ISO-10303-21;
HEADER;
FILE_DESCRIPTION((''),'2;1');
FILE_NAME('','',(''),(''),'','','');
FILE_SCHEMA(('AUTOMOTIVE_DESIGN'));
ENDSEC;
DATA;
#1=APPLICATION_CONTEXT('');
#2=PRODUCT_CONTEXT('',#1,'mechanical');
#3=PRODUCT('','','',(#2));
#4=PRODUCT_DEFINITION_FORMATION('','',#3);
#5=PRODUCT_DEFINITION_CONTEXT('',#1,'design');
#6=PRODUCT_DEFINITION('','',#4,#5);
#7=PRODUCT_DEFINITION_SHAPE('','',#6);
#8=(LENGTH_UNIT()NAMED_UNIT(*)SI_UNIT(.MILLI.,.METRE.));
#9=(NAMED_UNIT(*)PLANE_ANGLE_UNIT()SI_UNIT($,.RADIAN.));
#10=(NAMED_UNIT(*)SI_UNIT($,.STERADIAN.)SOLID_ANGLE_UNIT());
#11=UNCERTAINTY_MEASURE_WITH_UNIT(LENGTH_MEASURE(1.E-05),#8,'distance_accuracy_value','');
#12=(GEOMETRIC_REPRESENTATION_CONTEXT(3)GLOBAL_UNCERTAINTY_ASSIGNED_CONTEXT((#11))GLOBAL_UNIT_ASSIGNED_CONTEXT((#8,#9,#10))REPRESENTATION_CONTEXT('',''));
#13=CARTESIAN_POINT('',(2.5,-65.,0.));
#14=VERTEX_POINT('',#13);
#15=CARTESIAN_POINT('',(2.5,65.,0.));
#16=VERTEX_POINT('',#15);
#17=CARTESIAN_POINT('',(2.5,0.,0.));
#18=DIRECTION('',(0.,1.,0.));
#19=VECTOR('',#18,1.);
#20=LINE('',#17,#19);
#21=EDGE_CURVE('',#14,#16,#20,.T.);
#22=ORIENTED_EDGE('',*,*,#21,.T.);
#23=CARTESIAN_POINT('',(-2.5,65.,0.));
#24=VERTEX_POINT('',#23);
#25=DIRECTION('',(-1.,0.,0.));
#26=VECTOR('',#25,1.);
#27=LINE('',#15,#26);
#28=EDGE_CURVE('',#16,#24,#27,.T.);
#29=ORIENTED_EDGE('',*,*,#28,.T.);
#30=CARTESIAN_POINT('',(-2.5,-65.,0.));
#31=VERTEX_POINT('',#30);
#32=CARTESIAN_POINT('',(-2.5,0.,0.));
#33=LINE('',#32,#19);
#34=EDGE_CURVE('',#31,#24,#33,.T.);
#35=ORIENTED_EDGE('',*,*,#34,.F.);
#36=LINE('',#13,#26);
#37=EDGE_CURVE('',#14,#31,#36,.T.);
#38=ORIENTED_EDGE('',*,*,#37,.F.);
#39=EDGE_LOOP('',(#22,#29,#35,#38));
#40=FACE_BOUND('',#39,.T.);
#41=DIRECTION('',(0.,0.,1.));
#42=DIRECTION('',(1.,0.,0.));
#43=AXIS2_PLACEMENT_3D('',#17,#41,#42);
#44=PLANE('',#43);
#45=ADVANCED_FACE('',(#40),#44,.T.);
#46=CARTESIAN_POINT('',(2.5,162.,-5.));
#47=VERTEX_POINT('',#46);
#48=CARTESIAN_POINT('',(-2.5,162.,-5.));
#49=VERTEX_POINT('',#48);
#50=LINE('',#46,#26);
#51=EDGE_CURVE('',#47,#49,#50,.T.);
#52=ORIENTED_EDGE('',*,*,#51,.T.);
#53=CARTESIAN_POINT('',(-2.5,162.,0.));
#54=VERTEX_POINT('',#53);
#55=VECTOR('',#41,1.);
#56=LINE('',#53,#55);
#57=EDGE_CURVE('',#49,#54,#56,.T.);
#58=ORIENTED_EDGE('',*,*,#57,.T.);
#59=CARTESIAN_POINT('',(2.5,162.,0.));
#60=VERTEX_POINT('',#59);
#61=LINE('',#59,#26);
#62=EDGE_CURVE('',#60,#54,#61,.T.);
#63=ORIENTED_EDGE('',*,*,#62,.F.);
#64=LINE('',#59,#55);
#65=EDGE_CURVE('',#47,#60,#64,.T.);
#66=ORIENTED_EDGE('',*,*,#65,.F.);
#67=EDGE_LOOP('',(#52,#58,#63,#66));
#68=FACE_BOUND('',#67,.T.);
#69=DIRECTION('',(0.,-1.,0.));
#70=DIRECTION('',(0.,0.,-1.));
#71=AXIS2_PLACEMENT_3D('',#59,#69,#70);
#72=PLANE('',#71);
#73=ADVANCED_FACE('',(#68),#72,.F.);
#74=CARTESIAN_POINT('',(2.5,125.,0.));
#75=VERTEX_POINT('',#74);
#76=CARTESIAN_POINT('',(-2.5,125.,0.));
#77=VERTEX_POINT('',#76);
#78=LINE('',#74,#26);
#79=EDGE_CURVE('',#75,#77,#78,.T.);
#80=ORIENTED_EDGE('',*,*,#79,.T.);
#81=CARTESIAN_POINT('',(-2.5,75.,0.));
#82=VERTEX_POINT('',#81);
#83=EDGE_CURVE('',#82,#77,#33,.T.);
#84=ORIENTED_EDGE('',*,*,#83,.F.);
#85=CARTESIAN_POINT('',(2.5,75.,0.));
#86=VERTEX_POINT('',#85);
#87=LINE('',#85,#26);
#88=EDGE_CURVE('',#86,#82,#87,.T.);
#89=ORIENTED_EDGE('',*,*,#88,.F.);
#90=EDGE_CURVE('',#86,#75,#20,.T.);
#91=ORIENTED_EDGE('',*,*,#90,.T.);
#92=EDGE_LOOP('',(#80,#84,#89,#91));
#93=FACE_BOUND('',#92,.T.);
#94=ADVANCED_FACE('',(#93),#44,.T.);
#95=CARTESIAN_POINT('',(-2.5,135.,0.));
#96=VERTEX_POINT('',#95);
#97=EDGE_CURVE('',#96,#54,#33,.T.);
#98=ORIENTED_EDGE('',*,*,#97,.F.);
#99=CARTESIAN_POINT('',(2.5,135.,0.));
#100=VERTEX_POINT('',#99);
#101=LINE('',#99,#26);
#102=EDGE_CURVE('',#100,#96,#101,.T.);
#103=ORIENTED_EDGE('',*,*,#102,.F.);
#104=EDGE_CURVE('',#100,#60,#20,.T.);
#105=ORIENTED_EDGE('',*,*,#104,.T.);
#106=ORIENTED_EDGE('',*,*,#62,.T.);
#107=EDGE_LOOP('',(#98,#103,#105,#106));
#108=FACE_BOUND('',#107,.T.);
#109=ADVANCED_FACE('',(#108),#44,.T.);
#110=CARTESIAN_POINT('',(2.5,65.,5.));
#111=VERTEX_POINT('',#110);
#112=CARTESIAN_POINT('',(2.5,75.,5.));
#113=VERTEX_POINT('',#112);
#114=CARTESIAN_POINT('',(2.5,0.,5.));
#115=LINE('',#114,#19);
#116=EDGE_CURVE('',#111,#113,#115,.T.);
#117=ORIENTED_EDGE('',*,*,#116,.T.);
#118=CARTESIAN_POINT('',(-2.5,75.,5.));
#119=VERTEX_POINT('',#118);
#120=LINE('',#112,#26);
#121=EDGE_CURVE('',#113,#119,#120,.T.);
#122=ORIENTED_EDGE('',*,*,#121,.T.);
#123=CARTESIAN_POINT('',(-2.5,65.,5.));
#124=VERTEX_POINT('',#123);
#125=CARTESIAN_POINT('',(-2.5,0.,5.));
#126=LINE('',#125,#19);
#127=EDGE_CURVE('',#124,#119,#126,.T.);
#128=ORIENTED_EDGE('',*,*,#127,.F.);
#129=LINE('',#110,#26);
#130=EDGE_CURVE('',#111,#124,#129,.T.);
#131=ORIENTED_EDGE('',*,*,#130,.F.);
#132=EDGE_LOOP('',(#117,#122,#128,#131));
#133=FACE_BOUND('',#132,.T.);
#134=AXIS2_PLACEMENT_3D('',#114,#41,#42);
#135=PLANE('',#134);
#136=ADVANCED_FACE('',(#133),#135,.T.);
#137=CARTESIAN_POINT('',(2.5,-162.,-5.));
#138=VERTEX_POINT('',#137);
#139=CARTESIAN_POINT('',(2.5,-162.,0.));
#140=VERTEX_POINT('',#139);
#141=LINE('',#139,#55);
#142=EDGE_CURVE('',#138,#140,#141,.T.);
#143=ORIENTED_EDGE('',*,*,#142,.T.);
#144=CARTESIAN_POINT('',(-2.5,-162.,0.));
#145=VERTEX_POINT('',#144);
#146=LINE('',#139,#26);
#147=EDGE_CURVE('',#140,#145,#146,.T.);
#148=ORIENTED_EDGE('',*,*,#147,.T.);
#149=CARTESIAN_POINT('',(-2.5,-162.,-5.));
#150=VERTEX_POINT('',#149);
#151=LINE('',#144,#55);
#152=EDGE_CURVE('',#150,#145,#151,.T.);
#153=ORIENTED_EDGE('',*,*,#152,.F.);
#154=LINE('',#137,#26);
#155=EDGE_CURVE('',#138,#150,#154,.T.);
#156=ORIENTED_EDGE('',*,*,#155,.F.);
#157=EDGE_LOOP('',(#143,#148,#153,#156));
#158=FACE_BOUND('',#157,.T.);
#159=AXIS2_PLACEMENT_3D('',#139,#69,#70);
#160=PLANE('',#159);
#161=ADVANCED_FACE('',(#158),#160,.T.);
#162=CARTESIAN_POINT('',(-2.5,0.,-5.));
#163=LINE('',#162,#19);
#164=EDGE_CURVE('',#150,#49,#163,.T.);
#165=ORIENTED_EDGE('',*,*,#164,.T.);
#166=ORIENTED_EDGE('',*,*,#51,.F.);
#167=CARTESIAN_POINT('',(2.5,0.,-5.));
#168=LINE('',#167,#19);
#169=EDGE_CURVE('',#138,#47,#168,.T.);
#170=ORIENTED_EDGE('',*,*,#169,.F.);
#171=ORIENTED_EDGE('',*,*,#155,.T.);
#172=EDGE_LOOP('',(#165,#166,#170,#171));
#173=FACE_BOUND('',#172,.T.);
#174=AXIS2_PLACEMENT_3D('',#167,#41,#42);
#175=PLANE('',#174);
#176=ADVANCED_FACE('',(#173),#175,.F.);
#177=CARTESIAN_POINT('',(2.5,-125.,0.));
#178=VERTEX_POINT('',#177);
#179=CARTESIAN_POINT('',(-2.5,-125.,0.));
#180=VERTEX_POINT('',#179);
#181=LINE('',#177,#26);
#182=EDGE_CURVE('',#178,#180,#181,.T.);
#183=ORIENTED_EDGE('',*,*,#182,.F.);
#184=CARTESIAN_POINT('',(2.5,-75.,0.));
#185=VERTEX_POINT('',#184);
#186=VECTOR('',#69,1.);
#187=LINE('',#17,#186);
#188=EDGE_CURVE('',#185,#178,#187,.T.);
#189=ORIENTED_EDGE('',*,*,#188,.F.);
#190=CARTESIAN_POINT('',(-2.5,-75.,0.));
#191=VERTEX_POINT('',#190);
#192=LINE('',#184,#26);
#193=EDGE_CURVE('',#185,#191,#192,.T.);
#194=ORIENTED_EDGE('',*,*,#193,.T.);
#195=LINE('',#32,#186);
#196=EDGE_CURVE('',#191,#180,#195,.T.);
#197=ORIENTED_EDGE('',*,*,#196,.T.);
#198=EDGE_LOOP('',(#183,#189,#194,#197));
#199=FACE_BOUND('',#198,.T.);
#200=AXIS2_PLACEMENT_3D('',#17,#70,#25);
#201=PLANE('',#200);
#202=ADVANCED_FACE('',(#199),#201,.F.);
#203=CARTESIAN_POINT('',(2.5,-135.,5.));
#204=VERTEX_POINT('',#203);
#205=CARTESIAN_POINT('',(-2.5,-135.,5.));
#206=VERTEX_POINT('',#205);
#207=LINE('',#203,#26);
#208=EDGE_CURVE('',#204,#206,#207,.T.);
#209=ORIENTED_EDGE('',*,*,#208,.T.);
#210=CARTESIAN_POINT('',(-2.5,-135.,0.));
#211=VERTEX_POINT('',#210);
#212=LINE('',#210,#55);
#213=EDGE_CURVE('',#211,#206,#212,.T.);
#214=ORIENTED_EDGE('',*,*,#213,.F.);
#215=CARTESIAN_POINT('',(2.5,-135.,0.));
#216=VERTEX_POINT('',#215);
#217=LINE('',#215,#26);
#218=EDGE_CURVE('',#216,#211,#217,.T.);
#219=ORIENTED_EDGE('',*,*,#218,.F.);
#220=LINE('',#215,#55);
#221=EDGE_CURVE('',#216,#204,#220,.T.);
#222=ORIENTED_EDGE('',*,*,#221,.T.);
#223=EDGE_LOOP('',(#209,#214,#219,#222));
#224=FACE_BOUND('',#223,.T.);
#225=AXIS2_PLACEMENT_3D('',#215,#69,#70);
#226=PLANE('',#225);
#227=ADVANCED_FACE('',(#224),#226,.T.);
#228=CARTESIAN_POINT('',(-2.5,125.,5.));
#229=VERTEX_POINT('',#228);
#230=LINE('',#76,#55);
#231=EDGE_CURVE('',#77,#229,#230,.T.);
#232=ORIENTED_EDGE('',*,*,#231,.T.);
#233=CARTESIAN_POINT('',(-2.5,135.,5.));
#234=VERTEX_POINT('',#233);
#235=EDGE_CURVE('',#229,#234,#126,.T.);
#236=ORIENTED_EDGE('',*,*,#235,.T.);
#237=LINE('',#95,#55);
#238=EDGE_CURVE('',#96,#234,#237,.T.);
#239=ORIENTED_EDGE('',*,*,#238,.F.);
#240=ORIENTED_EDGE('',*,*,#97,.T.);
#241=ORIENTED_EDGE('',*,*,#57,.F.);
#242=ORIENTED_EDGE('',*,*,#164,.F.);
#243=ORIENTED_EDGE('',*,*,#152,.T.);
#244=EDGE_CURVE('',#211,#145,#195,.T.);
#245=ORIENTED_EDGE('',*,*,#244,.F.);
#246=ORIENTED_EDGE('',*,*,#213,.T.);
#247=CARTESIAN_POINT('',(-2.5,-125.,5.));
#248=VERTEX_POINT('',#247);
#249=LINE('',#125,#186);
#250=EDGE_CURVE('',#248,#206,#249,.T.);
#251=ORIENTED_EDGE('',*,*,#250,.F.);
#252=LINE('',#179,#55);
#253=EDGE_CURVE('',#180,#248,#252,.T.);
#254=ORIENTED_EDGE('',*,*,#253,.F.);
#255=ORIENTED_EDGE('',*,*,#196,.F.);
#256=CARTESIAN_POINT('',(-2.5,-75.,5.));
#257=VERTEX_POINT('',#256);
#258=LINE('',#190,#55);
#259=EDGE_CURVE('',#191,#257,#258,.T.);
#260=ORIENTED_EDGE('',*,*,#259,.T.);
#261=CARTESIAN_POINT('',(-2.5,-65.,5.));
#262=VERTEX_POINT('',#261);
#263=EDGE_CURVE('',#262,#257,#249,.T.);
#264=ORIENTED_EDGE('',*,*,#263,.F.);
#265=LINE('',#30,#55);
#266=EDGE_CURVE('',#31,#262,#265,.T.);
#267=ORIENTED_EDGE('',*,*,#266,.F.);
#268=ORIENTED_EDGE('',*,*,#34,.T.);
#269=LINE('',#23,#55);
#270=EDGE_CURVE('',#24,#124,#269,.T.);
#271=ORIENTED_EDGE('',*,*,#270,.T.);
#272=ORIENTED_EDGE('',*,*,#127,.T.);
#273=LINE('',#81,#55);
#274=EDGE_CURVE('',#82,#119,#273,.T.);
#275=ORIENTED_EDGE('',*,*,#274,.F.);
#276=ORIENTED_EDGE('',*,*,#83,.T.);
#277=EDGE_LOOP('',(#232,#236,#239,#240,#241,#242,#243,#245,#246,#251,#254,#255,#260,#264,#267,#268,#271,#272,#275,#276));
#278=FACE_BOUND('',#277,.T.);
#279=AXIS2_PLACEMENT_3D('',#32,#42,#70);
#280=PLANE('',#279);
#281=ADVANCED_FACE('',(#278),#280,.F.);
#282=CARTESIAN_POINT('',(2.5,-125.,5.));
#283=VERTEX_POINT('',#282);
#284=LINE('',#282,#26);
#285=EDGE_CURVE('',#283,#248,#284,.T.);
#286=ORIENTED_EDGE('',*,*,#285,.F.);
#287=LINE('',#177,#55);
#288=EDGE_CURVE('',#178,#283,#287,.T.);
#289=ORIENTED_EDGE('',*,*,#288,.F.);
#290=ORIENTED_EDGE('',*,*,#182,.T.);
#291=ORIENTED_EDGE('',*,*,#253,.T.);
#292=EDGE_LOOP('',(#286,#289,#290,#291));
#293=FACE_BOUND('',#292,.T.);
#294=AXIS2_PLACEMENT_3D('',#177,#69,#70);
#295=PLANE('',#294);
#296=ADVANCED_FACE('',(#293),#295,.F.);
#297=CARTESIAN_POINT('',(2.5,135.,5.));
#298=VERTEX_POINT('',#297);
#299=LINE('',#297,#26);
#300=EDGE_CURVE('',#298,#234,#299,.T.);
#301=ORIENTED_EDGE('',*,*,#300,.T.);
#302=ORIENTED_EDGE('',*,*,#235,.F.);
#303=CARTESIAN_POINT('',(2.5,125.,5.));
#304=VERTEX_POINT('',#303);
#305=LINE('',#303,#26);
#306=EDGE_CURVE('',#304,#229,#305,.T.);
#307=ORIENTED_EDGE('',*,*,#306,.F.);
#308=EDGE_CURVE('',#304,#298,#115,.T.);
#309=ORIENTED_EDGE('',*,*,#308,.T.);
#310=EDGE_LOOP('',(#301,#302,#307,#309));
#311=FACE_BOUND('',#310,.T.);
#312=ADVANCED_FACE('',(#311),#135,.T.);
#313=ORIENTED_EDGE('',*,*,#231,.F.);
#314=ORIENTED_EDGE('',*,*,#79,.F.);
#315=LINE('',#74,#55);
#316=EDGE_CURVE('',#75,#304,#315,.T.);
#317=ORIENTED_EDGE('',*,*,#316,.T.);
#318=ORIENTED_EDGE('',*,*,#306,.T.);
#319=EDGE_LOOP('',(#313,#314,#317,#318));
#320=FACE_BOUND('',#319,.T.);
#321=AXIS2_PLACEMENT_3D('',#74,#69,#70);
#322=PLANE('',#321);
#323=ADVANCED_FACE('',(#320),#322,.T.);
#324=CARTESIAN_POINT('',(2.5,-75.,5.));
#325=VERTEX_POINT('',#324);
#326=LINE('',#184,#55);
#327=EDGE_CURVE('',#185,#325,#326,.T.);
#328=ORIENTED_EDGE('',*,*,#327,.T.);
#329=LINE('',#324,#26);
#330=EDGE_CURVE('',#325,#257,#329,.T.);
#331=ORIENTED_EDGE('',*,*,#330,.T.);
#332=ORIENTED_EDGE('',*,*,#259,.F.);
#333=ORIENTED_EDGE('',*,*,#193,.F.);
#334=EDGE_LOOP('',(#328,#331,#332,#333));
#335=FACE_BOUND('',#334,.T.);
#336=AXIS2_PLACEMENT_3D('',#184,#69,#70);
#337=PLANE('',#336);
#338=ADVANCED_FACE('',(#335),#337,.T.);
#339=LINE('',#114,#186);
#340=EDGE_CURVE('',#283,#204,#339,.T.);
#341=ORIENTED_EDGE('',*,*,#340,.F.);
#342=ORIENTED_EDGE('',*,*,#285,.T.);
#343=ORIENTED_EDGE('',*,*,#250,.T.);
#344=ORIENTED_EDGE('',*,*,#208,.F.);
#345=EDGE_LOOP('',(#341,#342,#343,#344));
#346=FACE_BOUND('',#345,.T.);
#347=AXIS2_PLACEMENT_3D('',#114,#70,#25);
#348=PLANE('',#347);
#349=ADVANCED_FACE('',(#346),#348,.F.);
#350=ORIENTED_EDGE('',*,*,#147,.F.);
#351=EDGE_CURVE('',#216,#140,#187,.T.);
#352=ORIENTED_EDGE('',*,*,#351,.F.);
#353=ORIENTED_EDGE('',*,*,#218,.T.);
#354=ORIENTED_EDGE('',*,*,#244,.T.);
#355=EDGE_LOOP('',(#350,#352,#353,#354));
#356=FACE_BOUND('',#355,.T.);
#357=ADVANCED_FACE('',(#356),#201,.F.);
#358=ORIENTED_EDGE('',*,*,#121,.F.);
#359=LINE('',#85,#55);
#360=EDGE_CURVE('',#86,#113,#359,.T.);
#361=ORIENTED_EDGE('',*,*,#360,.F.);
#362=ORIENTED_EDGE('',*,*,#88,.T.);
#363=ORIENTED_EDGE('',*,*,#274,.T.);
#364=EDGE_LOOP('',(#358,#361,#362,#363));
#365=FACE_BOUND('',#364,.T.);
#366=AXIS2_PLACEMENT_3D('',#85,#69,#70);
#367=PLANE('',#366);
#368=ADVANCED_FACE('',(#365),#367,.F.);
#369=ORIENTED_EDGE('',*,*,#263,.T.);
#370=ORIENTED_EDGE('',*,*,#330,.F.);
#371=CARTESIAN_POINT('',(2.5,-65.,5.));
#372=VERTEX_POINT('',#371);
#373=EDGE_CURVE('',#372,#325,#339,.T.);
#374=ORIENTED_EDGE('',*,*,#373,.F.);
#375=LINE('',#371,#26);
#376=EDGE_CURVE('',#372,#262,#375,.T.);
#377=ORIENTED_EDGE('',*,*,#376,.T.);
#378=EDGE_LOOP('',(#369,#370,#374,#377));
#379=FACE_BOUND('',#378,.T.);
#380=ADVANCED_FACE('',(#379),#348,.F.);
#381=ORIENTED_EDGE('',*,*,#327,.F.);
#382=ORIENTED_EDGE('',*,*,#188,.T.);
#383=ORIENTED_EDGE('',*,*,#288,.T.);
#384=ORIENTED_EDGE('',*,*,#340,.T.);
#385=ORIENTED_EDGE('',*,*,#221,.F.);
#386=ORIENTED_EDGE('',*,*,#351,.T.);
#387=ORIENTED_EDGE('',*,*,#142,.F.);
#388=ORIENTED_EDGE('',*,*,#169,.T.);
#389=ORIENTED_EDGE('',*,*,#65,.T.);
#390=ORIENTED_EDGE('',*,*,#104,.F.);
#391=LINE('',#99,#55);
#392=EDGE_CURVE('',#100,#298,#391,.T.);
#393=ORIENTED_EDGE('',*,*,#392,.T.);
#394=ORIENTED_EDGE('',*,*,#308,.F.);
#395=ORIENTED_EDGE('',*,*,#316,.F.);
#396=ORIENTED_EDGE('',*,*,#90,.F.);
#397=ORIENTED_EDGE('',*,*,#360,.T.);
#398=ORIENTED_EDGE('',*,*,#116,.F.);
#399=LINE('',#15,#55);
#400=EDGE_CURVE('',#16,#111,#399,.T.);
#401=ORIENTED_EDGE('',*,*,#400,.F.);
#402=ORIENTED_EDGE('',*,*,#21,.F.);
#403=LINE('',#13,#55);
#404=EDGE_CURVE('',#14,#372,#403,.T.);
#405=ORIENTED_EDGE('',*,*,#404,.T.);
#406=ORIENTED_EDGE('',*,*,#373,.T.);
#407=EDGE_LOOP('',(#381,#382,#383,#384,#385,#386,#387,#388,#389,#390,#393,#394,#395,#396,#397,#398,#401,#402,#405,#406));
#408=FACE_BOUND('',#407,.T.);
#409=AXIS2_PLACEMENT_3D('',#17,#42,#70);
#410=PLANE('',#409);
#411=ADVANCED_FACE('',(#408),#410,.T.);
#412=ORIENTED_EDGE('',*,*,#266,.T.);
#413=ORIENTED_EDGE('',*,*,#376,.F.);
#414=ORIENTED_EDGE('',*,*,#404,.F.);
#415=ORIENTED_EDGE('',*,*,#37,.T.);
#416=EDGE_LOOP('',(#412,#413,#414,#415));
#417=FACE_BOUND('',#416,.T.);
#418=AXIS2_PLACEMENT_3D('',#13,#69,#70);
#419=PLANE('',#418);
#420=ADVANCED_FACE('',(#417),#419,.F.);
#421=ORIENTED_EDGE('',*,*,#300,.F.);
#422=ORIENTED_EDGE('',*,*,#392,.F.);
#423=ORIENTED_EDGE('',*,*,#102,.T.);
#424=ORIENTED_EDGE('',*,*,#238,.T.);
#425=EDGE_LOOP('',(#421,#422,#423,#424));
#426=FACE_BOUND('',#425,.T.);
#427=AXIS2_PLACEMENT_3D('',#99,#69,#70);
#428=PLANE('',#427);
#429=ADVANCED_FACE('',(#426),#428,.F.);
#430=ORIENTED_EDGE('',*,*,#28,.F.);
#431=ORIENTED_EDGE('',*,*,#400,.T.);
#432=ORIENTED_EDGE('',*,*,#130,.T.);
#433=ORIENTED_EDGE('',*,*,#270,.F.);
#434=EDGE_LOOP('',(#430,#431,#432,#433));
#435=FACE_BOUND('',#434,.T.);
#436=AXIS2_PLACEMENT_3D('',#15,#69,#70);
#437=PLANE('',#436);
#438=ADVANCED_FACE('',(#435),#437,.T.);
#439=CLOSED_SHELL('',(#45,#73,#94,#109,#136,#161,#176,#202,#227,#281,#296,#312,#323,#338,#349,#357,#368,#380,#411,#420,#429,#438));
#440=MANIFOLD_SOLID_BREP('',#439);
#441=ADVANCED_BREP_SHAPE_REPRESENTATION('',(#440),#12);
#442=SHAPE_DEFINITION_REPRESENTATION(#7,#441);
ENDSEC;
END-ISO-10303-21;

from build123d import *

# Parameters (mm, degrees)
SKETCH1_W           = 10
SKETCH1_H           = 5
BOSS_EXTRUDE1_DEPTH = 2.5


with BuildPart() as part:
    # Sketch1 → Boss-Extrude1 (new, symmetric)
    with BuildSketch(Plane.YZ):
        Polygon((75, 0), (65, 0), (0, 0), (0, -5), (162, -5), (162, 0), (135, 0), (125, 0), align=None)
        with Locations((70, 2.5)):
            Rectangle(SKETCH1_W, SKETCH1_H)
        with Locations((130, 2.5)):
            Rectangle(SKETCH1_W, SKETCH1_H)
    boss_extrude1 = extrude(amount=BOSS_EXTRUDE1_DEPTH, both=True)

    # Mirror1: Boss-Extrude1 across plane
    add(boss_extrude1.mirror(Plane.ZX))


solid = part.part
